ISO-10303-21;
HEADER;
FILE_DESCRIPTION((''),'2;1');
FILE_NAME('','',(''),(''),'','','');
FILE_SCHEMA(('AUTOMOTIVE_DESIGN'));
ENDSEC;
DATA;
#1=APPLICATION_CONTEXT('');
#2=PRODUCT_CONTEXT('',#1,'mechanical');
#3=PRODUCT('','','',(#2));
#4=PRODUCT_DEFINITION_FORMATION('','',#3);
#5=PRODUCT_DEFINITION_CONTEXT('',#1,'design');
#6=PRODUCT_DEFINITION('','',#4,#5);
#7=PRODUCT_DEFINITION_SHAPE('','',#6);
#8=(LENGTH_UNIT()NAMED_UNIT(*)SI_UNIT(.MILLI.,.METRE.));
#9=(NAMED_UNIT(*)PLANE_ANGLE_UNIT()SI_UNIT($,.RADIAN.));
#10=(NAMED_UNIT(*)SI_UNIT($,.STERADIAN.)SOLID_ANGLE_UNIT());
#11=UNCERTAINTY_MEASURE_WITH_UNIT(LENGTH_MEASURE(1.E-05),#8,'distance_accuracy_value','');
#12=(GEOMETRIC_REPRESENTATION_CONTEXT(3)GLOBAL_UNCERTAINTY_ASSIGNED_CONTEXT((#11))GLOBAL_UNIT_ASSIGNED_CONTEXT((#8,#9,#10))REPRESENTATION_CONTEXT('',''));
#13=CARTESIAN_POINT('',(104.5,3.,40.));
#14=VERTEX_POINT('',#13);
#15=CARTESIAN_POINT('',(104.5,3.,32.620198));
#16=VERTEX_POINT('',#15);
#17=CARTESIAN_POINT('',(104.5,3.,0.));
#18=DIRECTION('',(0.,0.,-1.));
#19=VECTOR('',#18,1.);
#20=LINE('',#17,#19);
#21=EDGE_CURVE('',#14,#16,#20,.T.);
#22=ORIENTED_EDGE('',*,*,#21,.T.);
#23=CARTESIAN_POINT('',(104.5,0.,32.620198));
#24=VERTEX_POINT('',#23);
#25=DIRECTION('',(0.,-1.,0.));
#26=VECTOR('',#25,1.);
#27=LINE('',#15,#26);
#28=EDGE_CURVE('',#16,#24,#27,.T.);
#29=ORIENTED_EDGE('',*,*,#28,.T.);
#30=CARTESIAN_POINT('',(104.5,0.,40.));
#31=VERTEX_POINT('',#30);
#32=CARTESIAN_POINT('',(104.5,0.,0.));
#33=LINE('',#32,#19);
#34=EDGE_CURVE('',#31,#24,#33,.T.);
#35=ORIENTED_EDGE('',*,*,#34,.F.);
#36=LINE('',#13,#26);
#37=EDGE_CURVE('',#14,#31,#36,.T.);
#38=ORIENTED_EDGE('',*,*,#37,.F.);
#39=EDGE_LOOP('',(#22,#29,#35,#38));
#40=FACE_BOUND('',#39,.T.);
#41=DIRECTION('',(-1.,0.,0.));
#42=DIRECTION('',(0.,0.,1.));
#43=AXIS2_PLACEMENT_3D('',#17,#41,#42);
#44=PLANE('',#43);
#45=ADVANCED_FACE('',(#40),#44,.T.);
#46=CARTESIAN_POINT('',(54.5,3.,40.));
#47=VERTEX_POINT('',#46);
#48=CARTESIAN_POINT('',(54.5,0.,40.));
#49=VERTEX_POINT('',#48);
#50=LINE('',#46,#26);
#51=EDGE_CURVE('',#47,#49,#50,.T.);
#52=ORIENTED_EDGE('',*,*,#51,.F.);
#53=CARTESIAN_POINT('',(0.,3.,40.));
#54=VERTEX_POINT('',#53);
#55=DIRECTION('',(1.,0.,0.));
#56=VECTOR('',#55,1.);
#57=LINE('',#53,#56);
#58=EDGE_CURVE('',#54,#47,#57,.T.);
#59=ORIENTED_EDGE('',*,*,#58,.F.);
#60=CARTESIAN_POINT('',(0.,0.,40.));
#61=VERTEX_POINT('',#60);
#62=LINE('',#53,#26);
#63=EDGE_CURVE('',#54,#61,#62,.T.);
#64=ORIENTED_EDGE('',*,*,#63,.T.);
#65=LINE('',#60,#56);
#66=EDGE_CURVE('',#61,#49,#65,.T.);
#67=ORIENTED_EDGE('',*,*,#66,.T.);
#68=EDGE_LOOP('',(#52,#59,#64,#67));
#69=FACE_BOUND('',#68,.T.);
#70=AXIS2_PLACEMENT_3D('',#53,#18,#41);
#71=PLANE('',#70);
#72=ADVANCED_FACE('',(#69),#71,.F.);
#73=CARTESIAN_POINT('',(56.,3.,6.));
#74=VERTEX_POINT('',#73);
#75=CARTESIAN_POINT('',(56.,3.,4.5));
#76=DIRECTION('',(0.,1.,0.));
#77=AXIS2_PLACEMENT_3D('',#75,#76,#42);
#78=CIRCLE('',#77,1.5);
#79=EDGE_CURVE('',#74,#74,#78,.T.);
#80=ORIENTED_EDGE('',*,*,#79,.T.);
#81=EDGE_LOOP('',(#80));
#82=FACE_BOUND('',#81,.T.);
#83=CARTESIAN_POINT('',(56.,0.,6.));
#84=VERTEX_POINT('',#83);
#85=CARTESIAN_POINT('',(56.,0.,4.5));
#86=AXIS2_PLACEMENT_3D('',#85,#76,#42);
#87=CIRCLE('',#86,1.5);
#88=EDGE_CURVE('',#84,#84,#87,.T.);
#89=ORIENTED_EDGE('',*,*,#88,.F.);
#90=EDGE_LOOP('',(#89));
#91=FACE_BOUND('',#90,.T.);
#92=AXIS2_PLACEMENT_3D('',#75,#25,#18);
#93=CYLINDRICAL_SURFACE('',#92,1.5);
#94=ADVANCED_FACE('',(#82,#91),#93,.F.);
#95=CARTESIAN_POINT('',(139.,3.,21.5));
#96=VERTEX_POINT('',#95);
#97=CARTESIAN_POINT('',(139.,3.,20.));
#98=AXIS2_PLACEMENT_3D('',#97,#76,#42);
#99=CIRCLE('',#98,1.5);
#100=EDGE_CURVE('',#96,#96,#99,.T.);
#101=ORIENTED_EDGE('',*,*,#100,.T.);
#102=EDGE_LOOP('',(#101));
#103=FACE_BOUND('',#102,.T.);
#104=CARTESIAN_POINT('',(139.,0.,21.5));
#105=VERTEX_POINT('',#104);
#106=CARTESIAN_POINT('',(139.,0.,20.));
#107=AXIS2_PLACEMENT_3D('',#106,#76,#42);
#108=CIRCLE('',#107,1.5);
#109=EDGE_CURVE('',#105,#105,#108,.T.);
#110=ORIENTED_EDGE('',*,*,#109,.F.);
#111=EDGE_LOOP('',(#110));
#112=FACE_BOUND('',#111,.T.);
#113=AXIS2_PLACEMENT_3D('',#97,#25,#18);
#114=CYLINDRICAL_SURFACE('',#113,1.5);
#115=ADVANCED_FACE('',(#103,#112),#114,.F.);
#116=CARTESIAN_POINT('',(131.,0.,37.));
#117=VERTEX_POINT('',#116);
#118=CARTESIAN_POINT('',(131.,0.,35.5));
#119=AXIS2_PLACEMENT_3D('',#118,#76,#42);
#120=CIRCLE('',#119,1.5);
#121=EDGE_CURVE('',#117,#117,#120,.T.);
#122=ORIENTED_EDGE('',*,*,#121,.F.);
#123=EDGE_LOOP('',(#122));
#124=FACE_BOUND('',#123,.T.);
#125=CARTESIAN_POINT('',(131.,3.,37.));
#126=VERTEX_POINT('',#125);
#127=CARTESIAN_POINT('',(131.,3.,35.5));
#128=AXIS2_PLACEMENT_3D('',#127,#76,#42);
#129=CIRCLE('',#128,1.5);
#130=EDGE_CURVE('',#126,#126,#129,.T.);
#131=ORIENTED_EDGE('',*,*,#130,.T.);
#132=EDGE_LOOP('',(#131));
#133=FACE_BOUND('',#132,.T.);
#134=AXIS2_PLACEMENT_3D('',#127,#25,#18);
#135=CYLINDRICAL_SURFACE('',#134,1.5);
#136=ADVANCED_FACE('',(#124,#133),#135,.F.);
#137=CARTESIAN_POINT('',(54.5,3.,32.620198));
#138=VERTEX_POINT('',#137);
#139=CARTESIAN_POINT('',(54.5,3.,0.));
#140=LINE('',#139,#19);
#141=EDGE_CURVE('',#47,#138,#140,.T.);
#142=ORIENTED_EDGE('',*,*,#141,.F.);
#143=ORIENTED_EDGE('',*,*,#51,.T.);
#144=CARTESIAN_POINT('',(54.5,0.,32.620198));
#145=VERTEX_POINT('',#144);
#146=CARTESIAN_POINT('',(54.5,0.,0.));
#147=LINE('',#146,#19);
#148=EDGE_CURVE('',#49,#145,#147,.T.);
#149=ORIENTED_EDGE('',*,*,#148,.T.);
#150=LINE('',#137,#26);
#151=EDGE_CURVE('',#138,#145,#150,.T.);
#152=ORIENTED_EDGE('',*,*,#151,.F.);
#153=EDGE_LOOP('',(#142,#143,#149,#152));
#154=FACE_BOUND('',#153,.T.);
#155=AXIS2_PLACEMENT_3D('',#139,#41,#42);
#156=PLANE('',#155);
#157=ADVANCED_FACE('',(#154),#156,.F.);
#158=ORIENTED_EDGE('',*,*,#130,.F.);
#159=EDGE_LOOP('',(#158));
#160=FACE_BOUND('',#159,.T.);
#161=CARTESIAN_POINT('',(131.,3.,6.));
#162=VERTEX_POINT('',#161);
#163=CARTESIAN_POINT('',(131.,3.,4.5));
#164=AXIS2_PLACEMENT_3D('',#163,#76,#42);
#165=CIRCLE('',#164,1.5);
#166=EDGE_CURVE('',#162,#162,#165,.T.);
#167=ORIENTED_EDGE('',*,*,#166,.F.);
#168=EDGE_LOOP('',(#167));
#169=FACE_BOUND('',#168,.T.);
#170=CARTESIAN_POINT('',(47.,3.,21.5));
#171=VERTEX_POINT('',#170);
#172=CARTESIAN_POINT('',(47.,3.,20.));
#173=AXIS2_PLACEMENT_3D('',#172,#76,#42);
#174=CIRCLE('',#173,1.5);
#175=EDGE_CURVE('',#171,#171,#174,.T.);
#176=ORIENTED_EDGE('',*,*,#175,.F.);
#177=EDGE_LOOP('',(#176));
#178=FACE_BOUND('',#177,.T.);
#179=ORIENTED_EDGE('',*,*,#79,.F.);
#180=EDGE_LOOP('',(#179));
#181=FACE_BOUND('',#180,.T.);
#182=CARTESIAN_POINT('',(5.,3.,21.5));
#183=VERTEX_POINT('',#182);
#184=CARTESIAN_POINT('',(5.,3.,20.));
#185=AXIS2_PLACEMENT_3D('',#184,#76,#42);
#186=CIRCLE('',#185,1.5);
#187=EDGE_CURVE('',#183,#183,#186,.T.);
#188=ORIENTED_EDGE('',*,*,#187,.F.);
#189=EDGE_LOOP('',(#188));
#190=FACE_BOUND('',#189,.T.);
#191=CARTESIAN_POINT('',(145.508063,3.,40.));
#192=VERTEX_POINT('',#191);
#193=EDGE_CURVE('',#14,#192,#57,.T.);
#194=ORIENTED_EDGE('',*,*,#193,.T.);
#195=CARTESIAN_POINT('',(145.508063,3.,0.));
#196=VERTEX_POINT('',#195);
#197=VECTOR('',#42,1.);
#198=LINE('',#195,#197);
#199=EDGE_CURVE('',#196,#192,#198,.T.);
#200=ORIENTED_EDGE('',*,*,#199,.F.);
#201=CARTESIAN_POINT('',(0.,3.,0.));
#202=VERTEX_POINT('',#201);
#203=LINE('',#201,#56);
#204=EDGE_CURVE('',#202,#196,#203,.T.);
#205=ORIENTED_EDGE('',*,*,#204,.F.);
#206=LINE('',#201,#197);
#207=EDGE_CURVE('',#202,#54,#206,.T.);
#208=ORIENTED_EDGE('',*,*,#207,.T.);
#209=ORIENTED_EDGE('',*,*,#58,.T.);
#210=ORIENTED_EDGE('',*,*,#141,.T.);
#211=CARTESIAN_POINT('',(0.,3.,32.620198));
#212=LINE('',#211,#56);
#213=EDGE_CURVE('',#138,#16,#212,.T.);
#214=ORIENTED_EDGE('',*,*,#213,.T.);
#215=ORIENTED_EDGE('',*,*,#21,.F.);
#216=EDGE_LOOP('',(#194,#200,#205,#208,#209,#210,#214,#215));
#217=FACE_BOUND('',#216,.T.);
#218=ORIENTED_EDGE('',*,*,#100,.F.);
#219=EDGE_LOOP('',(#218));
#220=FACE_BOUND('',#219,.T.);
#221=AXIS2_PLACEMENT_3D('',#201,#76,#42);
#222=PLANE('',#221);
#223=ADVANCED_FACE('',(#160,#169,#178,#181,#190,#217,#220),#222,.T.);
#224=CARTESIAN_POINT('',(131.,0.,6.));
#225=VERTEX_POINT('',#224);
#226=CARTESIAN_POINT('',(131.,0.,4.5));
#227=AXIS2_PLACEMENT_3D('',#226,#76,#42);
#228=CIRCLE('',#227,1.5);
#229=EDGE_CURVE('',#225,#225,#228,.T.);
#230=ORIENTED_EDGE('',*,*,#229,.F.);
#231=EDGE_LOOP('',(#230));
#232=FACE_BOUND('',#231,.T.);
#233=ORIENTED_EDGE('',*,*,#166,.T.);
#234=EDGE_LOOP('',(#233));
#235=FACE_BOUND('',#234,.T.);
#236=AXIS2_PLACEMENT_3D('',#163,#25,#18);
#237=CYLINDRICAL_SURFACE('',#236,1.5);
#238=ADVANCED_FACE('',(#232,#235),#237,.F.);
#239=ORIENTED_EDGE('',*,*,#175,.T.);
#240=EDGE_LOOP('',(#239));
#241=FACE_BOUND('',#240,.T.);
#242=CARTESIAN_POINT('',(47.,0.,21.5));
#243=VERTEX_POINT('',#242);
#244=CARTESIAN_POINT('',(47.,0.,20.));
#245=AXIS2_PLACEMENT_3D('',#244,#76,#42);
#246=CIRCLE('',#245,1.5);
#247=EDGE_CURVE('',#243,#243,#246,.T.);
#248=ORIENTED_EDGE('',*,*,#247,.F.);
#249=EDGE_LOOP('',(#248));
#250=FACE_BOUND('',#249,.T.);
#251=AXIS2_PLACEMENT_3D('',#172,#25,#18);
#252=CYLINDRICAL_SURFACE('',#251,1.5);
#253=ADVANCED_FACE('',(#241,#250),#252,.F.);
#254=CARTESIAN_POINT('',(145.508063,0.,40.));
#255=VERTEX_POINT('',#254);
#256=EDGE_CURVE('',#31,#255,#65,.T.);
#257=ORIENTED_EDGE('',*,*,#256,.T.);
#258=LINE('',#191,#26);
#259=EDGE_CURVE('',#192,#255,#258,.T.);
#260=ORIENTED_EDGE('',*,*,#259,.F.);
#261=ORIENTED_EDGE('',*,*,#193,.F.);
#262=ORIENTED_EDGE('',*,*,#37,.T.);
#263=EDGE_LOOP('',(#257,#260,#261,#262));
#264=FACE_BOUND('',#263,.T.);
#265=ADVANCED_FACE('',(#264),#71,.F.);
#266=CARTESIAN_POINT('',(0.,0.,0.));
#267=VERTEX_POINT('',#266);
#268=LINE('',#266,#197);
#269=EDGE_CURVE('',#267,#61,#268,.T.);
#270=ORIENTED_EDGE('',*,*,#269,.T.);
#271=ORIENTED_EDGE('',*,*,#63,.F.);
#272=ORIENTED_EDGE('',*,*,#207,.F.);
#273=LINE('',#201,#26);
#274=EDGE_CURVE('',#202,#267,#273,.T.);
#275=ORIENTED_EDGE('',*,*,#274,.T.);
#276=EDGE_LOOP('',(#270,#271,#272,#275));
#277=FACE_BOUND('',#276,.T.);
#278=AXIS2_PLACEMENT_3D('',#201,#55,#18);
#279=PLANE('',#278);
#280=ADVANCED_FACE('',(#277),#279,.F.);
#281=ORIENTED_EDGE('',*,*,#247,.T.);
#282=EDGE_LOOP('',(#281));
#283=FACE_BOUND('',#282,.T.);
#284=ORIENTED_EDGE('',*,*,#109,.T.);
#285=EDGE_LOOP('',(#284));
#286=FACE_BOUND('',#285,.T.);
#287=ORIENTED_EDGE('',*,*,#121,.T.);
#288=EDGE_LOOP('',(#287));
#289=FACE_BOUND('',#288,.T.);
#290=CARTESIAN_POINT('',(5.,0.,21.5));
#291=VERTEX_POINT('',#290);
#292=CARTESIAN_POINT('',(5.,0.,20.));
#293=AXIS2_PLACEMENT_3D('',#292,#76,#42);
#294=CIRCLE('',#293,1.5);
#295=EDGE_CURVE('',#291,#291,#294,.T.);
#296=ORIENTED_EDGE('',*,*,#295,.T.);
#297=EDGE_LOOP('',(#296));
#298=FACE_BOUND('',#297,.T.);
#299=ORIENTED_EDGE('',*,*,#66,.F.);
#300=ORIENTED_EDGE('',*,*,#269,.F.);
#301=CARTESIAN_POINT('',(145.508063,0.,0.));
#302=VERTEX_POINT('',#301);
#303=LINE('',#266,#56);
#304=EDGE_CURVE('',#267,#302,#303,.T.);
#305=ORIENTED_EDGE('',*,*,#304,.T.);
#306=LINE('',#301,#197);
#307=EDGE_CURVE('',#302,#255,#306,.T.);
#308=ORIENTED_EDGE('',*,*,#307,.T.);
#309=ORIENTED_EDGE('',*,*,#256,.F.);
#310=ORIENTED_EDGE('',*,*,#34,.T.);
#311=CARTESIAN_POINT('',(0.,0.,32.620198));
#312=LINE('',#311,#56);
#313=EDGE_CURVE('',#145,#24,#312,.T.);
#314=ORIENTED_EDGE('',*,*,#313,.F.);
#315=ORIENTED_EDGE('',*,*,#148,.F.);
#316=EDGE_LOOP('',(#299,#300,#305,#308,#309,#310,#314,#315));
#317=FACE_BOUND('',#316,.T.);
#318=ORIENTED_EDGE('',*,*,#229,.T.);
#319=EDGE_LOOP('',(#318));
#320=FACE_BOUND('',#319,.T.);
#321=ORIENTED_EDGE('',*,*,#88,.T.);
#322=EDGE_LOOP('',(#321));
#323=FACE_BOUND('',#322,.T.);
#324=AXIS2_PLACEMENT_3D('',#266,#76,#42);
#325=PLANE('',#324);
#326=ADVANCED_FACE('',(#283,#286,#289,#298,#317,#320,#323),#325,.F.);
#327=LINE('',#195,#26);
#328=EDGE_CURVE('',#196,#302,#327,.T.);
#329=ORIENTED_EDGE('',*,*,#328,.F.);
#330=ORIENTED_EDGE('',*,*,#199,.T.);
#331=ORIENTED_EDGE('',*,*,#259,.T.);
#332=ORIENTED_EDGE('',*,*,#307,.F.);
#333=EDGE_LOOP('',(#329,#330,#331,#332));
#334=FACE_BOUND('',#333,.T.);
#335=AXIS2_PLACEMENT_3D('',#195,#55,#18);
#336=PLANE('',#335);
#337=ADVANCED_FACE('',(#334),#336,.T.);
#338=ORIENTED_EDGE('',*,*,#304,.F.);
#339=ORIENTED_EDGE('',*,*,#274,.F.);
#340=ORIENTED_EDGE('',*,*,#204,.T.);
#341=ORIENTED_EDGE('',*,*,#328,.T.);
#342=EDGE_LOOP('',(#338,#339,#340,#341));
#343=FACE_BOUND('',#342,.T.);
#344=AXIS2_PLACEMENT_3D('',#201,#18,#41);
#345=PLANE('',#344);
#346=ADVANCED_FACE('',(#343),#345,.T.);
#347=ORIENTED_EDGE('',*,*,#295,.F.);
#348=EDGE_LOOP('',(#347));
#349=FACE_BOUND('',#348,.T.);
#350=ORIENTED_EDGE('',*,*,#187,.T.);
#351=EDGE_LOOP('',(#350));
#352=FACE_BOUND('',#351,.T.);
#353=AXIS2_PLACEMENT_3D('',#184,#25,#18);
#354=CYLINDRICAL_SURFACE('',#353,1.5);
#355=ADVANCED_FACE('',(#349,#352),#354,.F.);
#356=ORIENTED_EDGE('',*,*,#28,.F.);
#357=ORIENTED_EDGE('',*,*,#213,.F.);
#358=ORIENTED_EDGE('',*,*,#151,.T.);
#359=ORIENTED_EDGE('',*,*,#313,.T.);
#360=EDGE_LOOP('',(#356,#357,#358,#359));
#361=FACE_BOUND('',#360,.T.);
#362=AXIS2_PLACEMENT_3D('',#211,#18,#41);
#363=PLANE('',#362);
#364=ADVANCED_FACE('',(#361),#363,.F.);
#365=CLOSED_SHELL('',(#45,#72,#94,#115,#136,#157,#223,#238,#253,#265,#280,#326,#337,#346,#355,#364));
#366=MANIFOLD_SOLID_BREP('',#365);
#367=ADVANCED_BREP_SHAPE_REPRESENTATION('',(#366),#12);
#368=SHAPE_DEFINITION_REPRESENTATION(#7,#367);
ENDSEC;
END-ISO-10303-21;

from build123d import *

# Parameters (mm, degrees)
SKETCH1_R           = 1.5
BOSS_EXTRUDE1_DEPTH = 3


with BuildPart() as part:
    # Sketch1 → Boss-Extrude1 (new body)
    with BuildSketch(Plane(origin=(0, 0, 0), x_dir=(1, 0, 0), z_dir=(0, 1, 0))):
        Polygon((145.508062677, 0), (0, 0), (0, -40), (54.5, -40), (54.5, -35.5), (54.5, -32.62019756), (104.5, -32.62019756), (104.5, -40), (145.508062677, -40), align=None)
        with Locations(Location((131, -35.5, 0), (0, 0, 270))):
            Circle(SKETCH1_R, mode=Mode.SUBTRACT)
        with Locations(Location((5, -20, 0), (0, 0, 270))):
            Circle(SKETCH1_R, mode=Mode.SUBTRACT)
        with Locations(Location((47, -20, 0), (0, 0, 270))):
            Circle(SKETCH1_R, mode=Mode.SUBTRACT)
        with Locations(Location((56, -4.5, 0), (0, 0, 270))):
            Circle(SKETCH1_R, mode=Mode.SUBTRACT)
        with Locations(Location((139, -20, 0), (0, 0, 270))):
            Circle(SKETCH1_R, mode=Mode.SUBTRACT)
        with Locations(Location((131, -4.5, 0), (0, 0, 270))):
            Circle(SKETCH1_R, mode=Mode.SUBTRACT)
    extrude(amount=BOSS_EXTRUDE1_DEPTH)


solid = part.part
